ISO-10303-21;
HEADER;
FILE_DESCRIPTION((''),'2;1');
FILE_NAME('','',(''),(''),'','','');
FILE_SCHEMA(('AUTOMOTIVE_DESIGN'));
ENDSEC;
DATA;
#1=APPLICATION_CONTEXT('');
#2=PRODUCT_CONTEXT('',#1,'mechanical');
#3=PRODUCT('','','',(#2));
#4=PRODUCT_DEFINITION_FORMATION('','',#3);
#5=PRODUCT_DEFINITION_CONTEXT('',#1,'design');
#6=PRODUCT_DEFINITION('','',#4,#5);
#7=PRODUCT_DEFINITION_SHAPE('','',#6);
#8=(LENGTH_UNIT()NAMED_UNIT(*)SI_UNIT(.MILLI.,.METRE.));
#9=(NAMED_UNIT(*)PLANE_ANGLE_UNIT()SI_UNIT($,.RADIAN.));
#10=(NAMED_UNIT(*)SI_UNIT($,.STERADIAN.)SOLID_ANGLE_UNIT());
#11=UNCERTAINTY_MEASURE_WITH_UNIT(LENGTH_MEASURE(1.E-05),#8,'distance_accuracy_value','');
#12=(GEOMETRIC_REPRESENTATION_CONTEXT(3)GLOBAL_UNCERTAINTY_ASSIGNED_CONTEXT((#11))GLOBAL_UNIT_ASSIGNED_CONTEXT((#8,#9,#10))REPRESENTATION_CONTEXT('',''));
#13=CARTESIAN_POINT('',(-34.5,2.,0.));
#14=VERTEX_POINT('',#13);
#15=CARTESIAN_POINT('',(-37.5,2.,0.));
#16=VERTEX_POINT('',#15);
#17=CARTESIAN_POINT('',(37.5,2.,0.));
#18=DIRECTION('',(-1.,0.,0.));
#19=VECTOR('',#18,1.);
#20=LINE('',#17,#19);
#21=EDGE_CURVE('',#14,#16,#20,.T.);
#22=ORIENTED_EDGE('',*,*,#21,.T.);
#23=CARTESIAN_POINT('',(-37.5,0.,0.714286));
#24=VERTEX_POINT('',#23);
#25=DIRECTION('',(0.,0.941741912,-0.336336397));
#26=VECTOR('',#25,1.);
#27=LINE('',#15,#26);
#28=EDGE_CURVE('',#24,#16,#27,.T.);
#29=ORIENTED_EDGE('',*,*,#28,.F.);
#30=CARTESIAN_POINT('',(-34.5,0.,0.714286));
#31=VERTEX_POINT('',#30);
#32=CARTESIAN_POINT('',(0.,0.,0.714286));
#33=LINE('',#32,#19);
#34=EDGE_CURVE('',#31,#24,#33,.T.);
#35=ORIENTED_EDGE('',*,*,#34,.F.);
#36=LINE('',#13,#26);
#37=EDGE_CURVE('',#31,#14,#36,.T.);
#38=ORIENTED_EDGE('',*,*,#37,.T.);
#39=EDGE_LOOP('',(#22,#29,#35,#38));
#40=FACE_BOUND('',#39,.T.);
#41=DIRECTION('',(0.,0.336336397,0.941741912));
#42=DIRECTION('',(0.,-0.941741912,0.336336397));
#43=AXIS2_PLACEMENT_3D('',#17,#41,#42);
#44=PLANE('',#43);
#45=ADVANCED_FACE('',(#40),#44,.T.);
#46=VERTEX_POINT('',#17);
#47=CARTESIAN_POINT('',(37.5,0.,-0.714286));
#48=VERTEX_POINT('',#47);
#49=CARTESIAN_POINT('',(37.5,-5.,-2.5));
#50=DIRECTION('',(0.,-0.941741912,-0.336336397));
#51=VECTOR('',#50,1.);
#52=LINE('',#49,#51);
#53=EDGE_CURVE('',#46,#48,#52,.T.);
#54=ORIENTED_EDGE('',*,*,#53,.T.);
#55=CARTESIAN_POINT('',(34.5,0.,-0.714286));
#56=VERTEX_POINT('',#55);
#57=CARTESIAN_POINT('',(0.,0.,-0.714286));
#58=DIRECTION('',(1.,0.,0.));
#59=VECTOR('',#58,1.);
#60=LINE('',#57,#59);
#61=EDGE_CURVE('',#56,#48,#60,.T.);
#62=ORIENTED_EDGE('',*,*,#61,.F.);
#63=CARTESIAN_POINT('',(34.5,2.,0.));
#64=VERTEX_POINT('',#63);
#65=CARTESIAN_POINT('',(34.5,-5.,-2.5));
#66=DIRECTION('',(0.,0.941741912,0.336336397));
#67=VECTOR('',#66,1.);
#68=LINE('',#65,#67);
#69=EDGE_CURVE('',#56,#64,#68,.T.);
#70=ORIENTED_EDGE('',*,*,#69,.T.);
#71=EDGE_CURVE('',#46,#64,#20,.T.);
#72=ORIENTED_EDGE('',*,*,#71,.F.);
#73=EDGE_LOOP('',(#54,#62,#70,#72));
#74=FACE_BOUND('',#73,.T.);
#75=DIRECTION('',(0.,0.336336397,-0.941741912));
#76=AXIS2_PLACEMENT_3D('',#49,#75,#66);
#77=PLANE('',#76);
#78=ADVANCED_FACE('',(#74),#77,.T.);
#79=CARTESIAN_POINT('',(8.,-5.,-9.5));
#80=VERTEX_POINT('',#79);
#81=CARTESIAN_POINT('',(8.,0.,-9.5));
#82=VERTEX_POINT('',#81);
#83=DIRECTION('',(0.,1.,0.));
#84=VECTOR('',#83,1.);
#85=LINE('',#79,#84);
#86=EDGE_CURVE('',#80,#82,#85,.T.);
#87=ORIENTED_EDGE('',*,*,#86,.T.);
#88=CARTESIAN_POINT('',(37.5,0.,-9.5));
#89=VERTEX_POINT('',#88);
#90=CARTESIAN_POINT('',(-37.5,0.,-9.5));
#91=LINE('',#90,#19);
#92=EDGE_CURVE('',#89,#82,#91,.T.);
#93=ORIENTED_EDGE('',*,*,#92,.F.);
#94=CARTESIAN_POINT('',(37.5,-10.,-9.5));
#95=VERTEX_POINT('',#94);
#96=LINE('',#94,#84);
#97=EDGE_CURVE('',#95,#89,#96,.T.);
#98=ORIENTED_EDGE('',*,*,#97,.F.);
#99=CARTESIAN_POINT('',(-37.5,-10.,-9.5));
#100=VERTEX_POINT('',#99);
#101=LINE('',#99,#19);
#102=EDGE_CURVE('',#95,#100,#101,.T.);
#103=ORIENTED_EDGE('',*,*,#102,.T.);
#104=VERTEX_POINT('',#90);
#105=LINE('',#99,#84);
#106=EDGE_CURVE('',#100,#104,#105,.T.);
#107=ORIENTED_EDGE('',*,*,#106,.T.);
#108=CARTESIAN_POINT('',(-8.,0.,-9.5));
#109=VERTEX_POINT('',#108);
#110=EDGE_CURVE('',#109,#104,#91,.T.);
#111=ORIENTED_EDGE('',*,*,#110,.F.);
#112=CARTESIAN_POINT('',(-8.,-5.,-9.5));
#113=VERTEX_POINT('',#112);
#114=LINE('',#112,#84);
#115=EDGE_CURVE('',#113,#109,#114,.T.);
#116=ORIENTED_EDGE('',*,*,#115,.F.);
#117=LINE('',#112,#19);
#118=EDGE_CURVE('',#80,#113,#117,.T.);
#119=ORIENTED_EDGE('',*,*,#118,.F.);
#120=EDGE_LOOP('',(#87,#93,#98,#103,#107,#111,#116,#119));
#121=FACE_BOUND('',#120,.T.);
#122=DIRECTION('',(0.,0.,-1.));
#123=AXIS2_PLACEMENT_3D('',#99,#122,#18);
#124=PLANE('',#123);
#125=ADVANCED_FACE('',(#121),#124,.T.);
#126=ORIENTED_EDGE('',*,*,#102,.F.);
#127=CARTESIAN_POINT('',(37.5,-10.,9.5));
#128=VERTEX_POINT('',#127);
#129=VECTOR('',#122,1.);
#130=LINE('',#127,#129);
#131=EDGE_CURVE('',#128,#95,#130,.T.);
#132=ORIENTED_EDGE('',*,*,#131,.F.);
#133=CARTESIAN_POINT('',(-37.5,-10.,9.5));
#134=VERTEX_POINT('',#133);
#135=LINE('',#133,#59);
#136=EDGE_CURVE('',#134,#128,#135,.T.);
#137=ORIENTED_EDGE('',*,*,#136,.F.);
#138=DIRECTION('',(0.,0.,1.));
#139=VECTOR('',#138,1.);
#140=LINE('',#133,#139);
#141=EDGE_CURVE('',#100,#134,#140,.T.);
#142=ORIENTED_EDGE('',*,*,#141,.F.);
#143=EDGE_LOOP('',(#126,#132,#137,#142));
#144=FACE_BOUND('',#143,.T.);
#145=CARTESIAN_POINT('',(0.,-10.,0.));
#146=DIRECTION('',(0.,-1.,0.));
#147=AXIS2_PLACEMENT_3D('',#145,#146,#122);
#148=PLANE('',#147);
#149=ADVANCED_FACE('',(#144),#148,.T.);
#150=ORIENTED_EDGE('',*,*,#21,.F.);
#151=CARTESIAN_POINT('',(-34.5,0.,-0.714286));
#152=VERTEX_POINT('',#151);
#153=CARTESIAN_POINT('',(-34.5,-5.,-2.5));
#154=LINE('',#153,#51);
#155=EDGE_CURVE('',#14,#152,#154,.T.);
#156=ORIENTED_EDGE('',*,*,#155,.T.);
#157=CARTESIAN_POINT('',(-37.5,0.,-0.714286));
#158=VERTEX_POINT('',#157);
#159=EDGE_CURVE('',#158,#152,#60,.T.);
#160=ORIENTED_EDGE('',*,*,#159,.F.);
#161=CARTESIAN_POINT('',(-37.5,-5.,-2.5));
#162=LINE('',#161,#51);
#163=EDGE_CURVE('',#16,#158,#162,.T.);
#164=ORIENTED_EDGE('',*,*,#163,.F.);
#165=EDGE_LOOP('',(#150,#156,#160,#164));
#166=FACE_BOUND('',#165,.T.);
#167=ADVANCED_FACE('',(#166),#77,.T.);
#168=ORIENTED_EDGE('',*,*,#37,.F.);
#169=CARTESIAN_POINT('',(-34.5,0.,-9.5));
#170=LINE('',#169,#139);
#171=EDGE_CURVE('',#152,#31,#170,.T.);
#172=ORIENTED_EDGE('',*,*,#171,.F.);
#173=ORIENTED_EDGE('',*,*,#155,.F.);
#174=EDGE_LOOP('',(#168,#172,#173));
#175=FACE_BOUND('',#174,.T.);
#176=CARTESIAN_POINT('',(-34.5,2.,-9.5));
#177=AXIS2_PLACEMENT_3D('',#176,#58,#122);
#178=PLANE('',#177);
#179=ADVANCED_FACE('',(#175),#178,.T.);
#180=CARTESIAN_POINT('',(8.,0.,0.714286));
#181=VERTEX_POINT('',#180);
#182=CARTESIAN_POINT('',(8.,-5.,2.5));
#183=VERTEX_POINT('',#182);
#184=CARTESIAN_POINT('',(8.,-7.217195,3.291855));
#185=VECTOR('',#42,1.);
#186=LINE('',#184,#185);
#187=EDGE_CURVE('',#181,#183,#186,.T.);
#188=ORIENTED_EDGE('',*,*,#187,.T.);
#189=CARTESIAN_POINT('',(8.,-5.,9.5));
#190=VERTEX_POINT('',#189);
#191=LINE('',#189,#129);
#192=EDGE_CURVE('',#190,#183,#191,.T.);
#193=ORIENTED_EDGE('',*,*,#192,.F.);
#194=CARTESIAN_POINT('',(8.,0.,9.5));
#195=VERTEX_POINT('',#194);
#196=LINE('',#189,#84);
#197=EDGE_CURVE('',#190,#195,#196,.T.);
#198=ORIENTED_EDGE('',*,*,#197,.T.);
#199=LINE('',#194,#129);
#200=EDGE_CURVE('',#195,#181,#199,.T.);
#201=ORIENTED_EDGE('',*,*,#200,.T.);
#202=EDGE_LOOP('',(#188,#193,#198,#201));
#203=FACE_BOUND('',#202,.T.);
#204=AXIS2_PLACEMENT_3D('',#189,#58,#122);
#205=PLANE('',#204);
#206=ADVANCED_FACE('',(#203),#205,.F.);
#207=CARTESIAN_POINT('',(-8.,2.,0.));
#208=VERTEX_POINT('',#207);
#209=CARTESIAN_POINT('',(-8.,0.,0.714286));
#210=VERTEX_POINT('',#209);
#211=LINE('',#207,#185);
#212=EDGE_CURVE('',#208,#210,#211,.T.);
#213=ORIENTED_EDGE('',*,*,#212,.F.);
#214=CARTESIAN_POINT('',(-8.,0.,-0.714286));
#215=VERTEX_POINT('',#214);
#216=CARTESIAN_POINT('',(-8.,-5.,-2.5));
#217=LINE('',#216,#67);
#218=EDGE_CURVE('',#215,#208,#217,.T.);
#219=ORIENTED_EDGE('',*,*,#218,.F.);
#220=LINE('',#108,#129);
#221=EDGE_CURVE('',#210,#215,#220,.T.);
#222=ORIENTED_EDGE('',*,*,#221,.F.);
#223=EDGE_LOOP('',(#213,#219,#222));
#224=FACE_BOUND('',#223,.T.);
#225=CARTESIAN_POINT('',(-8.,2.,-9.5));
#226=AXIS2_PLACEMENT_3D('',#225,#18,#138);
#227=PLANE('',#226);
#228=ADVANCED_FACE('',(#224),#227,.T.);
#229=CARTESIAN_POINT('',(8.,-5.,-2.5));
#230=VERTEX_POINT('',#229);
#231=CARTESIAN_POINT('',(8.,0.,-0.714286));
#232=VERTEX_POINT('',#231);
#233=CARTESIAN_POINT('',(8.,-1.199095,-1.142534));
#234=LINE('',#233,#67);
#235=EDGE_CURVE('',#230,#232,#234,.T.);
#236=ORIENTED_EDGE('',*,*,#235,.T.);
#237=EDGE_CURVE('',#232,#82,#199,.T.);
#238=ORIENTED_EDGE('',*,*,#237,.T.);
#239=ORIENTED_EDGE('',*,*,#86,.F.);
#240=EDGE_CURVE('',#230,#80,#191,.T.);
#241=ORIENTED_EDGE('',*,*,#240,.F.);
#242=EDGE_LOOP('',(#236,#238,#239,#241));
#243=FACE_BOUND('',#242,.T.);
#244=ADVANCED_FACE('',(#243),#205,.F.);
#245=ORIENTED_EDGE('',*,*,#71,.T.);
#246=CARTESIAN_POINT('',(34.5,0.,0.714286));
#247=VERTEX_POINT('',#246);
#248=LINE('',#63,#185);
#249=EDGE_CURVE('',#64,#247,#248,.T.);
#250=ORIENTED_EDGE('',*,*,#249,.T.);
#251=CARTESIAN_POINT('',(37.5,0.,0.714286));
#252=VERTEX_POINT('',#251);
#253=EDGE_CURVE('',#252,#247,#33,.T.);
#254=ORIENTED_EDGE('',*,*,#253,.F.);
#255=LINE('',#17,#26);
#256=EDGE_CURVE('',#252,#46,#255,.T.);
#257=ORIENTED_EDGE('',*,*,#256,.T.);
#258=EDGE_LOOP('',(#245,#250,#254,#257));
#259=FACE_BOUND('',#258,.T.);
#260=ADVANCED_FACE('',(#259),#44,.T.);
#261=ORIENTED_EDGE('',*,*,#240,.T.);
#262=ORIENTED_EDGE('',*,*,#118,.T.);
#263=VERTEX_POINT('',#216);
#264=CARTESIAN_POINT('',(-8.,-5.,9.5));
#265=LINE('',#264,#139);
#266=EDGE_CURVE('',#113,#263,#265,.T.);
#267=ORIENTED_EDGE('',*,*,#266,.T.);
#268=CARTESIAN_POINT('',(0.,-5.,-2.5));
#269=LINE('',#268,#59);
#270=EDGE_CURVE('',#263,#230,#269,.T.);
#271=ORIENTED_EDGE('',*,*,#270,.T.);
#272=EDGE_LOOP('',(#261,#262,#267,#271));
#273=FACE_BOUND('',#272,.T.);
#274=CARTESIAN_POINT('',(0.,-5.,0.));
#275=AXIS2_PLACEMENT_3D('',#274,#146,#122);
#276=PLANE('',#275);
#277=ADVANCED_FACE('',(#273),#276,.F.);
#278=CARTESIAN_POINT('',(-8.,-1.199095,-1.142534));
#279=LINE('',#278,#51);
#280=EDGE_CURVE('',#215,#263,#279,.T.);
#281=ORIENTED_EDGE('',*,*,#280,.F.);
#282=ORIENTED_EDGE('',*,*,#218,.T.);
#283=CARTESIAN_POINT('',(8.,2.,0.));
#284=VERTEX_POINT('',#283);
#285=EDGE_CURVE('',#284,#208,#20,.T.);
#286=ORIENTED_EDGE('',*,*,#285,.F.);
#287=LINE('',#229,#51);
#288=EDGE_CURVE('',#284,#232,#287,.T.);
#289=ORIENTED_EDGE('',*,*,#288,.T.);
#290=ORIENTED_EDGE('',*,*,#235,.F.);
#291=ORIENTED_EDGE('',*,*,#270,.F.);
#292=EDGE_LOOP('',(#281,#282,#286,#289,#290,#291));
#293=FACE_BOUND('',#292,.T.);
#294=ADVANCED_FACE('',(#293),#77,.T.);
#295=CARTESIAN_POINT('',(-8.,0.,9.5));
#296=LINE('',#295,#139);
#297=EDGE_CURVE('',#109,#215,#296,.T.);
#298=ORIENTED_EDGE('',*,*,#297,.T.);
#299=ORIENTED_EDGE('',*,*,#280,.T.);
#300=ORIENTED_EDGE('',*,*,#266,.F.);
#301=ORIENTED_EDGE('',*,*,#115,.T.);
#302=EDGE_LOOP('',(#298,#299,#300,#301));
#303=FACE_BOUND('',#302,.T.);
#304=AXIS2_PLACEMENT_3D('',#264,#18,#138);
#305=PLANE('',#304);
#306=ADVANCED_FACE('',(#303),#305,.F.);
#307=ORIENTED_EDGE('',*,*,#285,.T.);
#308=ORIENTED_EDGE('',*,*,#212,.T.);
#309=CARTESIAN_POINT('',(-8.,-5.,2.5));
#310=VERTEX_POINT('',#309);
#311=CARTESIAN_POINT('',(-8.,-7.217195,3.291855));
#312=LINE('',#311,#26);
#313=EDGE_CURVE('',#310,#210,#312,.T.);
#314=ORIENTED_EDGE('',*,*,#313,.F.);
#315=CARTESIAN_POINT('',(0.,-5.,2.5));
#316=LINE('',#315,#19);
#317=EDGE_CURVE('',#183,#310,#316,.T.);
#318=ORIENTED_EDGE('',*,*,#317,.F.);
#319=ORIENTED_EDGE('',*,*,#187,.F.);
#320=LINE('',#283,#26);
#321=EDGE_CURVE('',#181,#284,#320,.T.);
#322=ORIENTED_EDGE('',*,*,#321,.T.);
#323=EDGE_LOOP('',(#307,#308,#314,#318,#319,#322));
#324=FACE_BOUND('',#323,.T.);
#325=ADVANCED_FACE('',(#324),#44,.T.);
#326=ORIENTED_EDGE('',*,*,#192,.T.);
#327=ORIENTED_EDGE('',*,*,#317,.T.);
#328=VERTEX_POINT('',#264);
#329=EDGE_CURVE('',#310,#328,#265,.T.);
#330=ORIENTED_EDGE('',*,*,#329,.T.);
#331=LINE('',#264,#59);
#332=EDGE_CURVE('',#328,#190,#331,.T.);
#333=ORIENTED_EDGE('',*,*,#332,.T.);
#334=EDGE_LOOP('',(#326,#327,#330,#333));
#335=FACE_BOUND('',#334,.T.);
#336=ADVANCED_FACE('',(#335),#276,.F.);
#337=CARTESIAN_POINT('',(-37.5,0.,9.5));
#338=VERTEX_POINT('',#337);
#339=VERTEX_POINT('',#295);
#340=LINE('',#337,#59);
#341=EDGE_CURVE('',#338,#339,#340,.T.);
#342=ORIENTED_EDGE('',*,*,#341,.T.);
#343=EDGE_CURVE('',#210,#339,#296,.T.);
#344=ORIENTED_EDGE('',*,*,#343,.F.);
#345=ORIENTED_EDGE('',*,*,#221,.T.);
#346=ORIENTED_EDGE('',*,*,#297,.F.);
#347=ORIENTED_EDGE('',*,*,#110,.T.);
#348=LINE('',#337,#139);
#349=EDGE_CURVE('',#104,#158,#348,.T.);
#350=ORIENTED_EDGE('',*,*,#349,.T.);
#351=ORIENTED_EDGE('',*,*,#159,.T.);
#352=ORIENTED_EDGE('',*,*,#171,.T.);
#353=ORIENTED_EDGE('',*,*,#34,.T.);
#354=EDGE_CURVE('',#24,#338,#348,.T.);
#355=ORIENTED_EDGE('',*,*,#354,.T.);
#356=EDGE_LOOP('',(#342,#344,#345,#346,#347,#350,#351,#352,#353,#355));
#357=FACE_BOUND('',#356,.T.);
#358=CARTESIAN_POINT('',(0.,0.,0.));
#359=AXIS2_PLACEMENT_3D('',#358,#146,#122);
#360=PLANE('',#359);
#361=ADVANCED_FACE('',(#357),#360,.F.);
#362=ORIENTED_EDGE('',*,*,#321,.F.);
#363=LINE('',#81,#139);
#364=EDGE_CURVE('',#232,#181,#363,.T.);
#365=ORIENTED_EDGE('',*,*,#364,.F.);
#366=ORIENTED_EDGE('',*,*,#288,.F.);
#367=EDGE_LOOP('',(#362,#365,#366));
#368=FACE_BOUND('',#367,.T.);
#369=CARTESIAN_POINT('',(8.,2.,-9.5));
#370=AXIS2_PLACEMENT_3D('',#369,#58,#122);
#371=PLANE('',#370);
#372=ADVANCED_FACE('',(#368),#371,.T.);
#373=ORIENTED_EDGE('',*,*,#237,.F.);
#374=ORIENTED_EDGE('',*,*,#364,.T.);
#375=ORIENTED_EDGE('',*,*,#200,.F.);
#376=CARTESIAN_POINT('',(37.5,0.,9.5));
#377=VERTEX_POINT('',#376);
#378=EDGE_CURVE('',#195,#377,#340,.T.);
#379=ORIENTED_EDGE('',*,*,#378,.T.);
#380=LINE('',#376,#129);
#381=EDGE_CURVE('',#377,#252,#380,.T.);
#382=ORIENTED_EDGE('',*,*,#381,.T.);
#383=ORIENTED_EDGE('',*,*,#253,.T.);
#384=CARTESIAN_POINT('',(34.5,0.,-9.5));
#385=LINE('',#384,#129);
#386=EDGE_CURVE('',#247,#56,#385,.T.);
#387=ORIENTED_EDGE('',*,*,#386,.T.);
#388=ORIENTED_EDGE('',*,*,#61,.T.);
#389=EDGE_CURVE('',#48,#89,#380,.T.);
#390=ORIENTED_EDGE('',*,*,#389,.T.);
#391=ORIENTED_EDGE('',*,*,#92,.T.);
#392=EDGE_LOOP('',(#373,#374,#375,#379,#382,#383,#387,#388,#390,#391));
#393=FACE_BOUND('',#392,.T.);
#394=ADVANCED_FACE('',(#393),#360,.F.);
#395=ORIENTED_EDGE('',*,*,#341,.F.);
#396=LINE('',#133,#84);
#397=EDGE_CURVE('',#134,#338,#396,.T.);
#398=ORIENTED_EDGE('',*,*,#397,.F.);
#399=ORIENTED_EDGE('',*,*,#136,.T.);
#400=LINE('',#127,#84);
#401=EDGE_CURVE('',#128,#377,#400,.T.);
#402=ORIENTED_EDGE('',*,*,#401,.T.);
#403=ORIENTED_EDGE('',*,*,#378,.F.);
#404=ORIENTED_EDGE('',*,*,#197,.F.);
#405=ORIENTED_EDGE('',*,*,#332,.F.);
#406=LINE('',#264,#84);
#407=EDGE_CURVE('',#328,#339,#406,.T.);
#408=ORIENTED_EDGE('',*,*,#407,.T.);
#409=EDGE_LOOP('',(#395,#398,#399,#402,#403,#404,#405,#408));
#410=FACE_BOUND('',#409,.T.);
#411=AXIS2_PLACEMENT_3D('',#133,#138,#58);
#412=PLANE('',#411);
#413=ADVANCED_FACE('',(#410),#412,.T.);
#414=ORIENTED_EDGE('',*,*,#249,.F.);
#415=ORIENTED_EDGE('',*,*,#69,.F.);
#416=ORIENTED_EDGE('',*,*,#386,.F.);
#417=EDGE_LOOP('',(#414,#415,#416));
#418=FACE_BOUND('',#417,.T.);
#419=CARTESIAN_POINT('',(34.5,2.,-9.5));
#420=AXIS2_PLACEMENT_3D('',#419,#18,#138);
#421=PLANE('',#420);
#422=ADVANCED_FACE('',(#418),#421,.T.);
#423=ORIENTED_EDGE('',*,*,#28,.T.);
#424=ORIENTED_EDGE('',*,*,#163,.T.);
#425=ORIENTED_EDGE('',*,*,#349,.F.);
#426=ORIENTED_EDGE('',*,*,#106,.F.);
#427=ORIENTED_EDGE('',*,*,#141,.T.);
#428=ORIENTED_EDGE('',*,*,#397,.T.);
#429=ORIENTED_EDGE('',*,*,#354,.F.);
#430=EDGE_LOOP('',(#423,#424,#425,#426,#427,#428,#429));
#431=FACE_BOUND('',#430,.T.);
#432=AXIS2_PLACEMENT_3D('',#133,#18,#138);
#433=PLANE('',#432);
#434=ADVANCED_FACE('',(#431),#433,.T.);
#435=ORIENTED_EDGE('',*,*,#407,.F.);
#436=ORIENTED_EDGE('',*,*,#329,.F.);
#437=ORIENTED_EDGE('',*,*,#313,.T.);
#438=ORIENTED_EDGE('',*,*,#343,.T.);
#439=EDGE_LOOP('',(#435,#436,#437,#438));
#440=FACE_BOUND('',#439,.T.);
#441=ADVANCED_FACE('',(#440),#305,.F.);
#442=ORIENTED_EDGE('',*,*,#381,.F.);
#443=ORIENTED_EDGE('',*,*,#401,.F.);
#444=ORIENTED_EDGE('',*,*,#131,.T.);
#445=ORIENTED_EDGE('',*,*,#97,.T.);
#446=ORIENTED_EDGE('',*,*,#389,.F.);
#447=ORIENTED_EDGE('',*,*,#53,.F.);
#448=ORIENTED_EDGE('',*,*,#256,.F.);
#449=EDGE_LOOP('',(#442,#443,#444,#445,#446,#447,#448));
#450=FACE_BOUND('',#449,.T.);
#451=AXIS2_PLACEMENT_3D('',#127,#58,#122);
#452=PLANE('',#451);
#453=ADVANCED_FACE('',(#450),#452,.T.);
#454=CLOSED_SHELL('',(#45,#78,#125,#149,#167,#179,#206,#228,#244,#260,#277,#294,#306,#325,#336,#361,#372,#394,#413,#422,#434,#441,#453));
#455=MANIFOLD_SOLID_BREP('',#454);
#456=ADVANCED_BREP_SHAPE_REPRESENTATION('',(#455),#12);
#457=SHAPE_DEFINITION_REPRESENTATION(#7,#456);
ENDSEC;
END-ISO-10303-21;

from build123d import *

# Parameters (mm, degrees)
SKETCH1_W                = 75
SKETCH1_H                = 19
BOSS_EXTRUDE1_DEPTH      = 10
SKETCH4_W                = 16
SKETCH4_H                = 19
CUT_EXTRUDE1_DEPTH       = 5
BOSS_EXTRUDE2_DEPTH      = 45.5
BOSS_EXTRUDE2_DEPTH_BACK = 29.5
SKETCH6_W                = 26.5
SKETCH6_H                = 19
CUT_EXTRUDE2_DEPTH       = 2


with BuildPart() as part:
    # Sketch1 → Boss-Extrude1 (new body)
    with BuildSketch(Plane(origin=(0, 0, 0), x_dir=(1, 0, 0), z_dir=(0, 1, 0))):
        Rectangle(SKETCH1_W, SKETCH1_H)
    extrude(amount=-BOSS_EXTRUDE1_DEPTH)

    # Sketch4 → Cut-Extrude1 (cut)
    with BuildSketch(Plane(origin=(0, 0, 0), x_dir=(1, 0, 0), z_dir=(0, 1, 0))):
        Rectangle(SKETCH4_W, SKETCH4_H)
    extrude(amount=-CUT_EXTRUDE1_DEPTH, mode=Mode.SUBTRACT)

    # Sketch5 → Boss-Extrude2 (add, two sides: drawn at the far end of the back side and taken through both)
    with BuildSketch(Plane.ZY.offset(-8).offset(-BOSS_EXTRUDE2_DEPTH_BACK)):
        Polygon((-2.5, -5), (0, 2), (2.5, -5), align=None)
    extrude(amount=BOSS_EXTRUDE2_DEPTH + BOSS_EXTRUDE2_DEPTH_BACK)

    # Sketch6 → Cut-Extrude2 (cut)
    with BuildSketch(Plane(origin=(0, 0, 0), x_dir=(1, 0, 0), z_dir=(0, 1, 0))):
        with Locations((-21.25, 0)):
            Rectangle(SKETCH6_W, SKETCH6_H)
        with Locations((21.25, 0)):
            Rectangle(SKETCH6_W, SKETCH6_H)
    extrude(amount=CUT_EXTRUDE2_DEPTH, mode=Mode.SUBTRACT)


solid = part.part
